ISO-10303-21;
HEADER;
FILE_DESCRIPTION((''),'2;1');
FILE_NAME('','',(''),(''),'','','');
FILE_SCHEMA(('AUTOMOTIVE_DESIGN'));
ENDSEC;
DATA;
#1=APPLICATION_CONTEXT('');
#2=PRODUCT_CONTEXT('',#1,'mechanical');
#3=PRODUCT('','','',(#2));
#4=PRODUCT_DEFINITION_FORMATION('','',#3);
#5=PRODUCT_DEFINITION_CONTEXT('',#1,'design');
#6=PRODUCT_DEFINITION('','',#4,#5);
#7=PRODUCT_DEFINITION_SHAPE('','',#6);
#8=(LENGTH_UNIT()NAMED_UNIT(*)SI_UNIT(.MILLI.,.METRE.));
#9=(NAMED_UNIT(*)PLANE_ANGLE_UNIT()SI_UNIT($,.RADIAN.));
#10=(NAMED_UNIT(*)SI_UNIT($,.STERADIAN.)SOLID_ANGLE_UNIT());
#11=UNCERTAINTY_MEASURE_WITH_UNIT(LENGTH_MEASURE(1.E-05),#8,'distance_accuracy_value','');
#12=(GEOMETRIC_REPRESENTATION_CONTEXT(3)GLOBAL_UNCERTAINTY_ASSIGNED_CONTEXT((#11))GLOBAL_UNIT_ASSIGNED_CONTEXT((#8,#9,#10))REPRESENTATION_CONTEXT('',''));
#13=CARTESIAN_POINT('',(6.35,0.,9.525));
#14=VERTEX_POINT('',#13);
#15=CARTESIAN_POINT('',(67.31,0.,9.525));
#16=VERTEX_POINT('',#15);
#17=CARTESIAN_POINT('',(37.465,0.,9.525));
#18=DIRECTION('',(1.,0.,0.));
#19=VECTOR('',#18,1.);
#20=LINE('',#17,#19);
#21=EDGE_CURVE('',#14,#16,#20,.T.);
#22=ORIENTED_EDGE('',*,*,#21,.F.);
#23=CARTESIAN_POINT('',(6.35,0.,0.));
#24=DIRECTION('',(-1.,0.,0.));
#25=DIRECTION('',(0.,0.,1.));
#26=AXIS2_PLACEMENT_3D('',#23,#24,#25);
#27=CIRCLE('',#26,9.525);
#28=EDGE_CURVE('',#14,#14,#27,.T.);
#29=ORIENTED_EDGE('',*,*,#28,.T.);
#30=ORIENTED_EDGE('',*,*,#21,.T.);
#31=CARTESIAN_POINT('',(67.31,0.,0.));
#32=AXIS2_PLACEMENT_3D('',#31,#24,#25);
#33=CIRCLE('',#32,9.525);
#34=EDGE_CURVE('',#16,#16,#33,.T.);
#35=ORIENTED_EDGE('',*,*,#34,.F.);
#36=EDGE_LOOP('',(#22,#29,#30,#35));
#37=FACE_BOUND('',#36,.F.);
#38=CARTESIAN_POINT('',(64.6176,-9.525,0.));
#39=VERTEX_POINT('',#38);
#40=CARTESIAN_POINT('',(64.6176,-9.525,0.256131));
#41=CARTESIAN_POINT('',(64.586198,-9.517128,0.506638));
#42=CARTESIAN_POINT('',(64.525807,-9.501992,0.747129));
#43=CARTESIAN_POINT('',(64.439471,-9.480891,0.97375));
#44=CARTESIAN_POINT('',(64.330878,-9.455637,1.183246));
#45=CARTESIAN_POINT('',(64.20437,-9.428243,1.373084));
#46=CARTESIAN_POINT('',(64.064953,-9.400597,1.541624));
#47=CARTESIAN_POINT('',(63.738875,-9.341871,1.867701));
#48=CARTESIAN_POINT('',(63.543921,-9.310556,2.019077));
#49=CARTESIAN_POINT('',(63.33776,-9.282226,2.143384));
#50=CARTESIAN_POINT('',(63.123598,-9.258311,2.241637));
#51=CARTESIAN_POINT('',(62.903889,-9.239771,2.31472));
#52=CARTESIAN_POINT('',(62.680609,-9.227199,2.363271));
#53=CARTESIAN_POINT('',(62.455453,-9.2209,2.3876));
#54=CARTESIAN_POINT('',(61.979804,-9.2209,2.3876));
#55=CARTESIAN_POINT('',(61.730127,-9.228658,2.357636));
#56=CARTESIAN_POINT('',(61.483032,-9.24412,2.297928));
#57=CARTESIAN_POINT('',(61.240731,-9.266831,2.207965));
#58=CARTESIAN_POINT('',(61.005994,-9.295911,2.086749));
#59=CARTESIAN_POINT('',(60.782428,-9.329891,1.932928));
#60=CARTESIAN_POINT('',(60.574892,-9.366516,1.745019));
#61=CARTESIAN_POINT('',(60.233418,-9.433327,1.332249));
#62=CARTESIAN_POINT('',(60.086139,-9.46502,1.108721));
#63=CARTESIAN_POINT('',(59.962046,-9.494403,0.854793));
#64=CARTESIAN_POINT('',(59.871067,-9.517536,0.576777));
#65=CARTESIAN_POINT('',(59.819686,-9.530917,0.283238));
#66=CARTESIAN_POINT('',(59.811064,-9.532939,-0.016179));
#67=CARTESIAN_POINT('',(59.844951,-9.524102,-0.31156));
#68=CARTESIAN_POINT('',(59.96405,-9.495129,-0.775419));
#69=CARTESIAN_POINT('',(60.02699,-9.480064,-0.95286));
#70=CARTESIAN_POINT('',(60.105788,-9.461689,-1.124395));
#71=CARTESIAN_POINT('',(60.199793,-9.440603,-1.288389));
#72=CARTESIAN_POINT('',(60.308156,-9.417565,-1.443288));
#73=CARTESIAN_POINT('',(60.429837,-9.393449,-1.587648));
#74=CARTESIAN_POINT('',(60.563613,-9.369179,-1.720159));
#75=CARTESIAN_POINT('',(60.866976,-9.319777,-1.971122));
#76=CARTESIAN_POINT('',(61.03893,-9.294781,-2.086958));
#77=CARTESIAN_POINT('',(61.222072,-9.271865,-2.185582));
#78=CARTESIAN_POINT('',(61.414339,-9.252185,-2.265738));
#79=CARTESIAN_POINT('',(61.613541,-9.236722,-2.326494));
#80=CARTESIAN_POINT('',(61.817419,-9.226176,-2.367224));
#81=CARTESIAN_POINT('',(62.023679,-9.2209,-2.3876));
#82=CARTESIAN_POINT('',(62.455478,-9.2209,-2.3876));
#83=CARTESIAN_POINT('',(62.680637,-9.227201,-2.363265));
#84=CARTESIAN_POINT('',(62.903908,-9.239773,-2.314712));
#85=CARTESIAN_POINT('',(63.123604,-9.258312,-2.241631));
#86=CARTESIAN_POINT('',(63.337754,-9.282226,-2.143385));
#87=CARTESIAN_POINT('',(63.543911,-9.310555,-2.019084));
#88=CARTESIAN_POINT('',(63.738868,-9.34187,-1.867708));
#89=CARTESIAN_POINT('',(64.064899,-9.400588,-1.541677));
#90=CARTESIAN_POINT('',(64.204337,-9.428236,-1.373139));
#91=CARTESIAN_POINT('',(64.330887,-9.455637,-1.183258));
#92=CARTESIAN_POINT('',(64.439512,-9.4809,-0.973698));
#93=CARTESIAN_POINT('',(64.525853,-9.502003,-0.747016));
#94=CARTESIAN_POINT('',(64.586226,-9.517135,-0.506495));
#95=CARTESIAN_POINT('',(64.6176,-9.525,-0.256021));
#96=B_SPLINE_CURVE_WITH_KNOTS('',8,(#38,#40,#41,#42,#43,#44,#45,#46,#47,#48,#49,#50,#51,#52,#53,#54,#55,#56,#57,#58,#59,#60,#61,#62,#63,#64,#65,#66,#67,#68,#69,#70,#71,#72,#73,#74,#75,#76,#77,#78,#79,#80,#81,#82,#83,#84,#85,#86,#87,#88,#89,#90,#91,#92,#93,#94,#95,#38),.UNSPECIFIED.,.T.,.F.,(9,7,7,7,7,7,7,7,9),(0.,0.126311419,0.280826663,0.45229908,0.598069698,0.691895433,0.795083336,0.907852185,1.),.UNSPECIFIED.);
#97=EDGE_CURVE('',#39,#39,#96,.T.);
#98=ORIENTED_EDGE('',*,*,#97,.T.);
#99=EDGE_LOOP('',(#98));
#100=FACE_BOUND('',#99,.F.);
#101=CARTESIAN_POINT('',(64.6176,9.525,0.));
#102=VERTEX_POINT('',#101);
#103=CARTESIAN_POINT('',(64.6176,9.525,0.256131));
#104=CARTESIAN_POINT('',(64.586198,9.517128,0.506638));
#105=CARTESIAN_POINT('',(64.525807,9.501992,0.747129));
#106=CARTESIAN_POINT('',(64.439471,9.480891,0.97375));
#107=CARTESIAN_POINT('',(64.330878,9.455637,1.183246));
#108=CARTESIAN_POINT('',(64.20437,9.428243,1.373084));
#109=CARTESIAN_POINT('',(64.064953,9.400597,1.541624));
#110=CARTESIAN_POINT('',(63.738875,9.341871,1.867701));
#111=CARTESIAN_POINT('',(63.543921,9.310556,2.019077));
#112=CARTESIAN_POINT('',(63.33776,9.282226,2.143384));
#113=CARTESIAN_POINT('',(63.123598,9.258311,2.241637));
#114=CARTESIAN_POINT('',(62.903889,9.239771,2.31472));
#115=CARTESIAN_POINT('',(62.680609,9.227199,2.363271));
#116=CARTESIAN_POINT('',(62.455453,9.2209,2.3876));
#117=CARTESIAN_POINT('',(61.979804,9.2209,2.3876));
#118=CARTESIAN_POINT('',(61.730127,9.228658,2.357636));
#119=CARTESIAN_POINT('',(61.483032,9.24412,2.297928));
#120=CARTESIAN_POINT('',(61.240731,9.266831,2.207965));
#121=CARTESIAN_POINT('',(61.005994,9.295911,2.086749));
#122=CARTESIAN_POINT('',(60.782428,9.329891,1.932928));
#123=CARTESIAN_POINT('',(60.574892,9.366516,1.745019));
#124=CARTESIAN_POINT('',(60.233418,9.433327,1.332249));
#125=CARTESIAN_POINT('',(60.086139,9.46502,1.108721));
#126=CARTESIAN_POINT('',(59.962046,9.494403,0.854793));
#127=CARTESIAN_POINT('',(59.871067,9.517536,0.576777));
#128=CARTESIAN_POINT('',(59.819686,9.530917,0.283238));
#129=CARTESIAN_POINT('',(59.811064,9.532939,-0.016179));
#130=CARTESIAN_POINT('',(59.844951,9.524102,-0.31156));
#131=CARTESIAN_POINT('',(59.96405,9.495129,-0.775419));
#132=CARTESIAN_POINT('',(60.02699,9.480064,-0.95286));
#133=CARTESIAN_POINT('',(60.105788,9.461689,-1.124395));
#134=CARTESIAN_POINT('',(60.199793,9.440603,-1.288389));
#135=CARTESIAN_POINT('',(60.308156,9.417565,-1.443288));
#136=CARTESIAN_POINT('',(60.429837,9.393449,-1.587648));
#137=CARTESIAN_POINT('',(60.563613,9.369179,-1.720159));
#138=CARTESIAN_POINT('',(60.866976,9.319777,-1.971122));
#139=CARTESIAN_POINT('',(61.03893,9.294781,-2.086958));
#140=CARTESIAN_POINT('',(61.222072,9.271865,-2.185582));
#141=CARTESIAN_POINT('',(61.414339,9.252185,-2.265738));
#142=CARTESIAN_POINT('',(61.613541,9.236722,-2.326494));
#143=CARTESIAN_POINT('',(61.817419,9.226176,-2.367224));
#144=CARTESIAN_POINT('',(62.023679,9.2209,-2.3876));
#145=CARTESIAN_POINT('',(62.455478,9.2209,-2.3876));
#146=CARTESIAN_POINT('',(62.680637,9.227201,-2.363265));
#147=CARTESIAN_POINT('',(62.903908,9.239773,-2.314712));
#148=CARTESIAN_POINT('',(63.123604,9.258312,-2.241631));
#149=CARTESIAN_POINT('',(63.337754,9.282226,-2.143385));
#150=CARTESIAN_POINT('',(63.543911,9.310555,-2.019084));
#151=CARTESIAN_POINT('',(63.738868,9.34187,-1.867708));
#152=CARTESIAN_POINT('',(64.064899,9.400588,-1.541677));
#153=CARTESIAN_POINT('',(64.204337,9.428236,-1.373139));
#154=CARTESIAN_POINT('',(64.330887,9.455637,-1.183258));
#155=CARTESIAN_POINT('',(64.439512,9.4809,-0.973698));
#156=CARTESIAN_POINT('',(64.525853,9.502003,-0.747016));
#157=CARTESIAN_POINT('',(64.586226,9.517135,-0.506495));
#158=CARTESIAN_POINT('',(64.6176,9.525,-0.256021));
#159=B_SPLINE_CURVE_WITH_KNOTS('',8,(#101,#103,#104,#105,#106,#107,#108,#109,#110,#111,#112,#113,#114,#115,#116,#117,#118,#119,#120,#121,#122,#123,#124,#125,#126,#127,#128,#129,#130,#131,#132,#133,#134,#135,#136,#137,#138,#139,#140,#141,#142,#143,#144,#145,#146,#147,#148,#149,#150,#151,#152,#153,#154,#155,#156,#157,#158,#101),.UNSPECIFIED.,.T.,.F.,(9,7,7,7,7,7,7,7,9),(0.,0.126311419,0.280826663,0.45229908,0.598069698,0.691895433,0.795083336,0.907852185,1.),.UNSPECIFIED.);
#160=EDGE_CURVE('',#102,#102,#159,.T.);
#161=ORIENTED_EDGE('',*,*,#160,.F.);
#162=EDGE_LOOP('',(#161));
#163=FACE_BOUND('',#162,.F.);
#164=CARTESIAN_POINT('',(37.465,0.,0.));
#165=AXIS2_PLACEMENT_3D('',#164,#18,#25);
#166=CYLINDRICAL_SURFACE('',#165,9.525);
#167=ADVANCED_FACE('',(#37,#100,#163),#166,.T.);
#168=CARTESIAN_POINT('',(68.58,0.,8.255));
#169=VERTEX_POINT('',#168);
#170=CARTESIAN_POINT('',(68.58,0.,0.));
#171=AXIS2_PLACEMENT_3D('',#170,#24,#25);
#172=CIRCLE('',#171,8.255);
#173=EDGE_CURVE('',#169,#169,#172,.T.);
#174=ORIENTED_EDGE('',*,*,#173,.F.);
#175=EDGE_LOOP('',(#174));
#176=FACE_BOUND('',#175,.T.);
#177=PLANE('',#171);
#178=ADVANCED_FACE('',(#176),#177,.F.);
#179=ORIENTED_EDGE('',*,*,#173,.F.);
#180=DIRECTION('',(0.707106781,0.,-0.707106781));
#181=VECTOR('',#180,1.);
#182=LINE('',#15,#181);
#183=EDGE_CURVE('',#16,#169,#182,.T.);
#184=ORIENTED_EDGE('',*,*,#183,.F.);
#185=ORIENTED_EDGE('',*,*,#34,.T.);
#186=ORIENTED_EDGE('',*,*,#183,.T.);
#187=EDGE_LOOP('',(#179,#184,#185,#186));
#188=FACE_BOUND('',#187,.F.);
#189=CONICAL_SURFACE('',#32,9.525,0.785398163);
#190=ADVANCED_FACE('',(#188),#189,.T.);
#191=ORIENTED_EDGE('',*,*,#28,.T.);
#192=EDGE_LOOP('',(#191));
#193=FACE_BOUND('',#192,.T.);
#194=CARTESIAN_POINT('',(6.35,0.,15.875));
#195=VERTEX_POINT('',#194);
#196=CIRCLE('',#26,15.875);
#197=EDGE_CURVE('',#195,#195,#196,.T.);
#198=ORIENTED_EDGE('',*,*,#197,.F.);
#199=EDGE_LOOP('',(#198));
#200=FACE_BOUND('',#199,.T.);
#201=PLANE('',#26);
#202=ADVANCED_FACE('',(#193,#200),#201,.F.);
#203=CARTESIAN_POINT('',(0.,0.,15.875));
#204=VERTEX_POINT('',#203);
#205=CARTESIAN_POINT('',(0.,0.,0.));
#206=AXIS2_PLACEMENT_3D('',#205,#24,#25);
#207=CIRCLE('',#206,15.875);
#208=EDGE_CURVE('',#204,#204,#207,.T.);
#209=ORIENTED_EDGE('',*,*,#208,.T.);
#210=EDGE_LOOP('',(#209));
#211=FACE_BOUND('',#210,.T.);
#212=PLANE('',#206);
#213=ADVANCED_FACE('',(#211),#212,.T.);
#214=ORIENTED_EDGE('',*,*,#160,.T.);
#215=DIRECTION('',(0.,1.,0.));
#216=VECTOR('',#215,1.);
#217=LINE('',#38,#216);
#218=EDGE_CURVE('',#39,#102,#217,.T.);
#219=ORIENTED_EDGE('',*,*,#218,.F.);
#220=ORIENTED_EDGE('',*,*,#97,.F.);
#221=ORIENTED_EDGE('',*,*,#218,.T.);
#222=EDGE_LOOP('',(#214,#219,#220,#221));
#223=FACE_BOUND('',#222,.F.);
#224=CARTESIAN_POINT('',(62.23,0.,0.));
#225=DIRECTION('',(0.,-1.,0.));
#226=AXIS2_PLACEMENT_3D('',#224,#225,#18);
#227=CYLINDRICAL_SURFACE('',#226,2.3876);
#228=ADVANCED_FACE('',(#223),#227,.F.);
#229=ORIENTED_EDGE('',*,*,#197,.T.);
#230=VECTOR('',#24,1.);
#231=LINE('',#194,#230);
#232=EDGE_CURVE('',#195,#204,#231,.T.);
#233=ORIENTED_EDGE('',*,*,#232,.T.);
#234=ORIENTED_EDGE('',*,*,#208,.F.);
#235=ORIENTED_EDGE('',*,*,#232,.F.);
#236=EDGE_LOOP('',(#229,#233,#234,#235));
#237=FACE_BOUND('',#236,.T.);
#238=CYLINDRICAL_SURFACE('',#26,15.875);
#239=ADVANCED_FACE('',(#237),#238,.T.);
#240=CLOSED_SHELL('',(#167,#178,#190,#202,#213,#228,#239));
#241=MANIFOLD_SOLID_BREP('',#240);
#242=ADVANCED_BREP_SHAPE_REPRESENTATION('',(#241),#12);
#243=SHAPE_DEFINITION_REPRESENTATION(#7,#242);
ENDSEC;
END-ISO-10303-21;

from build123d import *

# Parameters (mm, degrees)
F0_W          = 62.23
F0_H          = 9.525
F2_R          = 2.3876
F3_DEPTH      = 25.4
F3_DEPTH_BACK = 25.4
F4_SIZE2      = 1.27
F4_SIZE       = 1.27


with BuildPart() as f1:
    # F0 (on Front) → F1 (revolve)
    with BuildSketch(Plane.XZ):
        Polygon((0, 15.875), (0, 0), (6.35, 0), (6.35, 9.525), (6.35, 15.875), align=None)
        with Locations((37.465, 4.7625)):
            Rectangle(F0_W, F0_H)
    revolve(axis=Axis((34.29, 0, 0), (-1, 0, 0)))

    # F2 (on Front) → F3 (cut, two sides)
    with BuildSketch(Plane.XZ) as f3_sk:
        with Locations((62.23, 0)):
            Circle(F2_R)
    extrude(amount=-F3_DEPTH, mode=Mode.SUBTRACT)
    extrude(f3_sk.sketch, amount=F3_DEPTH_BACK, mode=Mode.SUBTRACT)

    # F4
    f4_edges = [f1.edges().sort_by_distance(p)[0] for p in [
        (68.58, 0, -9.525),
    ]]
    chamfer(f4_edges, length=F4_SIZE, length2=F4_SIZE2)


solid = f1.part
